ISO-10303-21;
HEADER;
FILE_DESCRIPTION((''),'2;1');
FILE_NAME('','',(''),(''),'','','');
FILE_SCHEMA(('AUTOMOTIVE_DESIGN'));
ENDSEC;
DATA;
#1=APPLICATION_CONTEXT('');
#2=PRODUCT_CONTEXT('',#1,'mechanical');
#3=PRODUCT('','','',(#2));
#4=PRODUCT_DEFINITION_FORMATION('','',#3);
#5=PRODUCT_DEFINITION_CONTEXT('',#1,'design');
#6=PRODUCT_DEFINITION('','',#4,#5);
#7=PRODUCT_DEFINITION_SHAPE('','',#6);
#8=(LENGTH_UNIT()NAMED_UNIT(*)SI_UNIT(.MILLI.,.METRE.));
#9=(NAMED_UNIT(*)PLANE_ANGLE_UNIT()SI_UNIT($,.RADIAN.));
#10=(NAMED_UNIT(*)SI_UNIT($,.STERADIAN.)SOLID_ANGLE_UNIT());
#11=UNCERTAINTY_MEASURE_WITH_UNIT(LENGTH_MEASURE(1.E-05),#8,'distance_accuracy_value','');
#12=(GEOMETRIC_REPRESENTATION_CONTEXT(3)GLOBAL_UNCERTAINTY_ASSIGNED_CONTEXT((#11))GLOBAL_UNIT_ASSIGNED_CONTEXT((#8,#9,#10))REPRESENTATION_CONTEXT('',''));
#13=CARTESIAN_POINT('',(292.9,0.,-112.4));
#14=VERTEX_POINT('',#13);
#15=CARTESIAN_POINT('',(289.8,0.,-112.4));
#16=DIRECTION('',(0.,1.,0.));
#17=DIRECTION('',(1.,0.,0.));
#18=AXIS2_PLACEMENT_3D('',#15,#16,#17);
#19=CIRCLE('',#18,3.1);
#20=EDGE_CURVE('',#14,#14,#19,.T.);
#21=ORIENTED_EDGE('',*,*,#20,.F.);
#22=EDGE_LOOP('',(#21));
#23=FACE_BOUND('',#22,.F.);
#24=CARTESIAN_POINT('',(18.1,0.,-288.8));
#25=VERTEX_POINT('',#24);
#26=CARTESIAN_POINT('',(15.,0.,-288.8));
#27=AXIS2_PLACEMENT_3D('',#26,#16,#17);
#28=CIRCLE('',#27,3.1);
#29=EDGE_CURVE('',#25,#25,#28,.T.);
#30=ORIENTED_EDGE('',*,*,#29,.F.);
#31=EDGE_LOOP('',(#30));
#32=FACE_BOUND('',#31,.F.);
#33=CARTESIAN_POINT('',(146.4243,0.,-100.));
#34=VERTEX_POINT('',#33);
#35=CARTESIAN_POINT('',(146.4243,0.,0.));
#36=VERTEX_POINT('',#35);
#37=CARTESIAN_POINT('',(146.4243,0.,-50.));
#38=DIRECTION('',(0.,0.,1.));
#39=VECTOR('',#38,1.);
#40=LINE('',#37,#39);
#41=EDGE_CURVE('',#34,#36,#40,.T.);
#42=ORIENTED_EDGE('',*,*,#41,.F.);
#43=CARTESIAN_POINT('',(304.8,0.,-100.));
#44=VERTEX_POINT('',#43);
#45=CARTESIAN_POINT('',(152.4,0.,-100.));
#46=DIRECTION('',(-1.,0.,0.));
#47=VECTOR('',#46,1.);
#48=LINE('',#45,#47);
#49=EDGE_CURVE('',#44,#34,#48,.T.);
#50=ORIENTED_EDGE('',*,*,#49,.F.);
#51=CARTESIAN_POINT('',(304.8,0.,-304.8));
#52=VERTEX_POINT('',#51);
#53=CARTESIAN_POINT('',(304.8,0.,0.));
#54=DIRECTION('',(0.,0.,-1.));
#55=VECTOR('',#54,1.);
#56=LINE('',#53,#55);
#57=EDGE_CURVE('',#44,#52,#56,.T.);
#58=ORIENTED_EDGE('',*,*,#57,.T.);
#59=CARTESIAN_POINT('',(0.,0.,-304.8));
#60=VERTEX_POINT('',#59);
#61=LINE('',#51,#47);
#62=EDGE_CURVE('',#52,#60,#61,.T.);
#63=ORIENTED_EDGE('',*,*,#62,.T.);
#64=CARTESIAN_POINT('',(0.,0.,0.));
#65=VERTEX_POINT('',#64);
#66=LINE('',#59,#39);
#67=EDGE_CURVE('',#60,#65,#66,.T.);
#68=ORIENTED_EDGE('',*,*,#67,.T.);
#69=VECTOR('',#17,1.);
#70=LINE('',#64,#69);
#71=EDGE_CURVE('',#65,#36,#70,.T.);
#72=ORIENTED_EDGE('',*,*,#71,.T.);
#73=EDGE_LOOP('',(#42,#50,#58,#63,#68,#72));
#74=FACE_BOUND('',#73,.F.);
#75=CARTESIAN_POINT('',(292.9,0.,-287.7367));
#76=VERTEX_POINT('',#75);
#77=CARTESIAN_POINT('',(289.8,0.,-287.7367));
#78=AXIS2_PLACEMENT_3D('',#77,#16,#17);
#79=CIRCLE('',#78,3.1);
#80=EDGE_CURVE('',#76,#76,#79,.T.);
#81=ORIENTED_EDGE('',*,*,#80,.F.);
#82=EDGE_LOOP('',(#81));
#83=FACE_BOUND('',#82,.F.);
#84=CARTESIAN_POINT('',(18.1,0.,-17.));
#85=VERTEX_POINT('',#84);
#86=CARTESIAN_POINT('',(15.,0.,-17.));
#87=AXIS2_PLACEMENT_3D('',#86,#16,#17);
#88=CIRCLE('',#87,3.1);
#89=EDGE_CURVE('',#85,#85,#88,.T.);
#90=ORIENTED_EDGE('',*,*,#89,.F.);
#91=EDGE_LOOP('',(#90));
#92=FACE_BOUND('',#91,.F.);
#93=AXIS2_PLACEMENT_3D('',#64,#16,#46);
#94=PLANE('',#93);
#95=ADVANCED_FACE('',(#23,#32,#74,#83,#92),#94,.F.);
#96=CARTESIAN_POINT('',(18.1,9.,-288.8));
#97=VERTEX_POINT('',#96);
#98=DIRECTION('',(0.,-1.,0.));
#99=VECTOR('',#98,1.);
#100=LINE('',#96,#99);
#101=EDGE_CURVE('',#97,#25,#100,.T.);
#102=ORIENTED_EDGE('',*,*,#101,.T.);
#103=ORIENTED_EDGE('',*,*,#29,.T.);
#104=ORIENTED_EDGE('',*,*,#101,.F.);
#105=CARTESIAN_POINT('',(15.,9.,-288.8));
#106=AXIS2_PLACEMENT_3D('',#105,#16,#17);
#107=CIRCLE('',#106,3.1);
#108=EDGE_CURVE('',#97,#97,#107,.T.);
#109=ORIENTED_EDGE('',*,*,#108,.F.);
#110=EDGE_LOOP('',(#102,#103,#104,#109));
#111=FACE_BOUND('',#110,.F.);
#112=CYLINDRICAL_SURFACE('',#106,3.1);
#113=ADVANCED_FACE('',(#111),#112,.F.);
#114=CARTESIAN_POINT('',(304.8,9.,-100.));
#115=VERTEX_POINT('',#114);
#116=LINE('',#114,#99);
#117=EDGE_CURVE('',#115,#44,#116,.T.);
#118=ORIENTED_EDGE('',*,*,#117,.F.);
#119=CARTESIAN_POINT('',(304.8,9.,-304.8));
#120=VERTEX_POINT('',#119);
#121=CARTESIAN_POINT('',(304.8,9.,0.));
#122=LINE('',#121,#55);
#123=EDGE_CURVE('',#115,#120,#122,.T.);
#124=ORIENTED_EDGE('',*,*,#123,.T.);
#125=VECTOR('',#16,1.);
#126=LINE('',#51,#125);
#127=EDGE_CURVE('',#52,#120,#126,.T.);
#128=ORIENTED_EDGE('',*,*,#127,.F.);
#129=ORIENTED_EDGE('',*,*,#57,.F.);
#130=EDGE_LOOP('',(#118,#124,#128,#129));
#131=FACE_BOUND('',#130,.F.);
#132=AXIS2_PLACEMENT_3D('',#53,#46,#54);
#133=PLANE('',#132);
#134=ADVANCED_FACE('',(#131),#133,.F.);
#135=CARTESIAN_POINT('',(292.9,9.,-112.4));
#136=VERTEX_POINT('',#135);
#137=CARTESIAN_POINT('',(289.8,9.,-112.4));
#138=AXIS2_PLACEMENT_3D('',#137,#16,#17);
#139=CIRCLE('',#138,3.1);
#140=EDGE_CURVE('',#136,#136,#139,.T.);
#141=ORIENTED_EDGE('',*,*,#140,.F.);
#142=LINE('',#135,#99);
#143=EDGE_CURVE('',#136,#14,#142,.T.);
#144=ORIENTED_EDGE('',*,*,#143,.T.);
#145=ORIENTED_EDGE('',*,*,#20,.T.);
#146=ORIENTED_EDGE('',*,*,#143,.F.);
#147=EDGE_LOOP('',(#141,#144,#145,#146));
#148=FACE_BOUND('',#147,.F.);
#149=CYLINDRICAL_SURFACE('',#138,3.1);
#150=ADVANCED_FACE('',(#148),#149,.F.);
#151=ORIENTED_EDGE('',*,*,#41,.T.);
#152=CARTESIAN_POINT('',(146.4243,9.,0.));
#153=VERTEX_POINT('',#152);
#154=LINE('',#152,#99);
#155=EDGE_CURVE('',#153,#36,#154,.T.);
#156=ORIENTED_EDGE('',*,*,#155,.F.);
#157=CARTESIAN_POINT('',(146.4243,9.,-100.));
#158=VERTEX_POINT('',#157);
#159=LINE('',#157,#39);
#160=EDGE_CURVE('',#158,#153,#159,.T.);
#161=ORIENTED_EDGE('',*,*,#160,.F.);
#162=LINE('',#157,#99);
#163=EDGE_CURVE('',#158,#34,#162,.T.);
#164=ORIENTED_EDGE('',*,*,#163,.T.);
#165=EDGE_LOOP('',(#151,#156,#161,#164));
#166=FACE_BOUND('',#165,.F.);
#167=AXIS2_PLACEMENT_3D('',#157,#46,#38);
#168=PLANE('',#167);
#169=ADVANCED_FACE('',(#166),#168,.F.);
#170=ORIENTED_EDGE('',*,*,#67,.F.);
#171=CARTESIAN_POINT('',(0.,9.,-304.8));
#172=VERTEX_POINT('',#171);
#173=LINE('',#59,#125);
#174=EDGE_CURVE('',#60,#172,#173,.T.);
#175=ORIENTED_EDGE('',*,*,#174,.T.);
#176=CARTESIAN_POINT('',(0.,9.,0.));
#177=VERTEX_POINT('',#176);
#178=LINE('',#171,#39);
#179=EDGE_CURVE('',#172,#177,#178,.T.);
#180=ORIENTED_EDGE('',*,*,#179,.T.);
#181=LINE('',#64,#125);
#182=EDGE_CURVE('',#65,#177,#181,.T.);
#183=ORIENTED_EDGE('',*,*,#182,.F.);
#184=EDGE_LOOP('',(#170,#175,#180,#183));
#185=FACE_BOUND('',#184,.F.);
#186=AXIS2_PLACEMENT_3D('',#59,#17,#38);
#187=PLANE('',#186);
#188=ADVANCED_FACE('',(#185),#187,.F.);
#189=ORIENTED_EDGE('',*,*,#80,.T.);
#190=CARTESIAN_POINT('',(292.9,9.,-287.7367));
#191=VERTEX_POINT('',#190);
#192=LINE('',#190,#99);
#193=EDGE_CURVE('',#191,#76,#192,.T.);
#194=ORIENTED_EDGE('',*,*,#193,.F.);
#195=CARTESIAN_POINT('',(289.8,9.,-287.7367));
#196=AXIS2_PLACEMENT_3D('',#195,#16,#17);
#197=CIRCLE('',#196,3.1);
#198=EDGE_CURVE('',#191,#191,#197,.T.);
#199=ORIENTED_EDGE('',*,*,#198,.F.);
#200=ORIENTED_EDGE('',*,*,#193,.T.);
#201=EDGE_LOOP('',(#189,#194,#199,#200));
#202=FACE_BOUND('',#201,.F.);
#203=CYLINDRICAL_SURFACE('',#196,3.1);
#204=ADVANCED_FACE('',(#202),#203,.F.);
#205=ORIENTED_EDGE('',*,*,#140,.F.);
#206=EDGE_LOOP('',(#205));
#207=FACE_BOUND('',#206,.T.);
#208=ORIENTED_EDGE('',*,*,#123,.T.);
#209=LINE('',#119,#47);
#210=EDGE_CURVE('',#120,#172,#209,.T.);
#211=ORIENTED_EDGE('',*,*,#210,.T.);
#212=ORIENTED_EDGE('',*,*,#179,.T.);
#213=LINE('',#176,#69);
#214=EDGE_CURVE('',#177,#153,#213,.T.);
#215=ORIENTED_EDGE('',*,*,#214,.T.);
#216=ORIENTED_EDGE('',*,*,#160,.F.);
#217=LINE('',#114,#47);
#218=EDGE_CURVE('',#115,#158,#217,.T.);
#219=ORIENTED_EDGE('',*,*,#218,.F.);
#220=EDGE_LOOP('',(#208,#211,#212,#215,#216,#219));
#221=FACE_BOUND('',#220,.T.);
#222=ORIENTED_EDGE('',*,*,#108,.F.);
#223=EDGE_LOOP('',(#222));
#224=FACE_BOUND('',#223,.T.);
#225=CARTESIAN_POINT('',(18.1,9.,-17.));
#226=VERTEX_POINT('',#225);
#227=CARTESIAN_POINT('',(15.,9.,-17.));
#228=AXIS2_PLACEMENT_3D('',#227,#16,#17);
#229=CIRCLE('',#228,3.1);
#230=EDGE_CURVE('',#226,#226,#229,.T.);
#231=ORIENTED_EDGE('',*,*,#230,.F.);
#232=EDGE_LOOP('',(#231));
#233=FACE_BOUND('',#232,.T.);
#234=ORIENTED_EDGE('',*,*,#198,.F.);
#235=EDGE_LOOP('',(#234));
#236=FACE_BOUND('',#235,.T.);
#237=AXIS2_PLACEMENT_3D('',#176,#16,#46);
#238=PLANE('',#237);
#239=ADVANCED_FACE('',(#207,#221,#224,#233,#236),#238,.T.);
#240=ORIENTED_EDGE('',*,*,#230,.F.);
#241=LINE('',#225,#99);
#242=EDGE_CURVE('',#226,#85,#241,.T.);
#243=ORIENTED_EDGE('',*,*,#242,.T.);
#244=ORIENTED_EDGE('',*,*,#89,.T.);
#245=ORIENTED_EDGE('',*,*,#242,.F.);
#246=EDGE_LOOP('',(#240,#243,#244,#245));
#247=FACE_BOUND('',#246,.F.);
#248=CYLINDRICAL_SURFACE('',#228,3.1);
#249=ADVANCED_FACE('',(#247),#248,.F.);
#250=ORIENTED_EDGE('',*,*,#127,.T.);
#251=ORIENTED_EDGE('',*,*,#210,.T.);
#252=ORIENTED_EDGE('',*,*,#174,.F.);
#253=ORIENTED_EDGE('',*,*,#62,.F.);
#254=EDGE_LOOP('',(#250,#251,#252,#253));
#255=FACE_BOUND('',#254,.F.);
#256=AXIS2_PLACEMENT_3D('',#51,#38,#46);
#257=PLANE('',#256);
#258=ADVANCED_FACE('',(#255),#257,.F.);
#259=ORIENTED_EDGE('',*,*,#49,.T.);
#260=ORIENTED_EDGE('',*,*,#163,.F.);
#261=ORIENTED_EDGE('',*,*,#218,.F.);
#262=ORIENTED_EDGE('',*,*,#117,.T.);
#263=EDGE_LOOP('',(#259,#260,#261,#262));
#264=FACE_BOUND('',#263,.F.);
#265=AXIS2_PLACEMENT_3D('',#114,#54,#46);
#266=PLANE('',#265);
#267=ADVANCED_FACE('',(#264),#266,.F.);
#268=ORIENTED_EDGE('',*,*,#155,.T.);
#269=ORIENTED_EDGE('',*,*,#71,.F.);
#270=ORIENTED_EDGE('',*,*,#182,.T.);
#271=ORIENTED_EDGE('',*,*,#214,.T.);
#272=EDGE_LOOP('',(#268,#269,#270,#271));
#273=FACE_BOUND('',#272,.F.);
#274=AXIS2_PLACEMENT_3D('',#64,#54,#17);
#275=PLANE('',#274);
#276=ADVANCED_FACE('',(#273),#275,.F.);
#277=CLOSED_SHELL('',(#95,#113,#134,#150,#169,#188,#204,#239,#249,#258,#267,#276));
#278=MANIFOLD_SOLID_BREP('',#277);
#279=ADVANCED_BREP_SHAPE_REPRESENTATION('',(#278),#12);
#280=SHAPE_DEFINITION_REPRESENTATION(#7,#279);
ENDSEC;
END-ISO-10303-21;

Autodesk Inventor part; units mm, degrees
ref_plane "YZ Plane" through (0, 0, 0) normal (1, 0, 0) x (0, 1, 0)
ref_plane "XZ Plane" through (0, 0, 0) normal (0, 1, 0) x (-1, 0, 0)
ref_plane "XY Plane" through (0, 0, 0) normal (0, 0, 1) x (1, 0, 0)
sketch "Sketch1" plane through (0, 0, 0) normal (0, 1, 0) x (-1, 0, 0)
  line L0 (0, 0) -> (-304.8, 0)
  line L1 (-304.8, 0) -> (-304.8, -304.8)
  line L2 (-304.8, -304.8) -> (0, -304.8)
  line L3 (0, -304.8) -> (0, 0)
  dimension "d0" = 304.8
  dimension "d1" = 304.8
extrude "Extrusion1" add sketch "Sketch1" along normal blind 9
sketch "Sketch3" plane through (0, 9, 0) normal (0, 1, 0) x (1, 0, 0)
  line L0 (197.0873, 95) -> (302.0873, 95) projected
  line L1 (302.0873, 18.175) -> (197.0873, 18.175) projected
  line L2 (153.4243, 27.425) -> (153.4243, 72.575) projected
  line L3 (304.8, 0) -> (304.8, 304.8) projected
  line L4 (304.8, 100) -> (146.4243, 100)
  line L5 (146.4243, 100) -> (146.4243, 0)
  line L6 (146.4243, 0) -> (304.8, 0)
  line L7 (304.8, 0) -> (304.8, 100)
  point P0 (0, 0)
  dimension "d8" = 5
  dimension "d9" = 7
extrude "Extrusion3" cut sketch "Sketch3" against normal blind 10
sketch "Sketch4" plane through (0, 9, 0) normal (0, 1, 0) x (1, 0, 0)
  circle A0 centre (15, 17) radius 3.1 projected
  circle A1 centre (15, 288.8) radius 3.1 projected
  circle A2 centre (289.8, 287.7367) radius 3.1 projected
  circle A3 centre (289.8, 112.4) radius 3.1 projected
  point P0 (0, 0)
extrude "Extrusion4" cut sketch "Sketch4" against normal through all
sketch "Sketch2" plane through (0, 9, 0) normal (0, 1, 0) x (1, 0, 0)
  line L0 (304.8, 304.8) -> (0, 304.8) projected
  line L1 (304.8, 304.8) -> (144.8, 304.8)
  line L2 (144.8, 304.8) -> (144.8, 209.8)
  line L3 (144.8, 209.8) -> (304.8, 209.8)
  line L4 (304.8, 209.8) -> (304.8, 304.8)
  point P0 (0, 0)
  dimension "d4" = 95
  dimension "d5" = 160
properties part number "acrylic_cover"
